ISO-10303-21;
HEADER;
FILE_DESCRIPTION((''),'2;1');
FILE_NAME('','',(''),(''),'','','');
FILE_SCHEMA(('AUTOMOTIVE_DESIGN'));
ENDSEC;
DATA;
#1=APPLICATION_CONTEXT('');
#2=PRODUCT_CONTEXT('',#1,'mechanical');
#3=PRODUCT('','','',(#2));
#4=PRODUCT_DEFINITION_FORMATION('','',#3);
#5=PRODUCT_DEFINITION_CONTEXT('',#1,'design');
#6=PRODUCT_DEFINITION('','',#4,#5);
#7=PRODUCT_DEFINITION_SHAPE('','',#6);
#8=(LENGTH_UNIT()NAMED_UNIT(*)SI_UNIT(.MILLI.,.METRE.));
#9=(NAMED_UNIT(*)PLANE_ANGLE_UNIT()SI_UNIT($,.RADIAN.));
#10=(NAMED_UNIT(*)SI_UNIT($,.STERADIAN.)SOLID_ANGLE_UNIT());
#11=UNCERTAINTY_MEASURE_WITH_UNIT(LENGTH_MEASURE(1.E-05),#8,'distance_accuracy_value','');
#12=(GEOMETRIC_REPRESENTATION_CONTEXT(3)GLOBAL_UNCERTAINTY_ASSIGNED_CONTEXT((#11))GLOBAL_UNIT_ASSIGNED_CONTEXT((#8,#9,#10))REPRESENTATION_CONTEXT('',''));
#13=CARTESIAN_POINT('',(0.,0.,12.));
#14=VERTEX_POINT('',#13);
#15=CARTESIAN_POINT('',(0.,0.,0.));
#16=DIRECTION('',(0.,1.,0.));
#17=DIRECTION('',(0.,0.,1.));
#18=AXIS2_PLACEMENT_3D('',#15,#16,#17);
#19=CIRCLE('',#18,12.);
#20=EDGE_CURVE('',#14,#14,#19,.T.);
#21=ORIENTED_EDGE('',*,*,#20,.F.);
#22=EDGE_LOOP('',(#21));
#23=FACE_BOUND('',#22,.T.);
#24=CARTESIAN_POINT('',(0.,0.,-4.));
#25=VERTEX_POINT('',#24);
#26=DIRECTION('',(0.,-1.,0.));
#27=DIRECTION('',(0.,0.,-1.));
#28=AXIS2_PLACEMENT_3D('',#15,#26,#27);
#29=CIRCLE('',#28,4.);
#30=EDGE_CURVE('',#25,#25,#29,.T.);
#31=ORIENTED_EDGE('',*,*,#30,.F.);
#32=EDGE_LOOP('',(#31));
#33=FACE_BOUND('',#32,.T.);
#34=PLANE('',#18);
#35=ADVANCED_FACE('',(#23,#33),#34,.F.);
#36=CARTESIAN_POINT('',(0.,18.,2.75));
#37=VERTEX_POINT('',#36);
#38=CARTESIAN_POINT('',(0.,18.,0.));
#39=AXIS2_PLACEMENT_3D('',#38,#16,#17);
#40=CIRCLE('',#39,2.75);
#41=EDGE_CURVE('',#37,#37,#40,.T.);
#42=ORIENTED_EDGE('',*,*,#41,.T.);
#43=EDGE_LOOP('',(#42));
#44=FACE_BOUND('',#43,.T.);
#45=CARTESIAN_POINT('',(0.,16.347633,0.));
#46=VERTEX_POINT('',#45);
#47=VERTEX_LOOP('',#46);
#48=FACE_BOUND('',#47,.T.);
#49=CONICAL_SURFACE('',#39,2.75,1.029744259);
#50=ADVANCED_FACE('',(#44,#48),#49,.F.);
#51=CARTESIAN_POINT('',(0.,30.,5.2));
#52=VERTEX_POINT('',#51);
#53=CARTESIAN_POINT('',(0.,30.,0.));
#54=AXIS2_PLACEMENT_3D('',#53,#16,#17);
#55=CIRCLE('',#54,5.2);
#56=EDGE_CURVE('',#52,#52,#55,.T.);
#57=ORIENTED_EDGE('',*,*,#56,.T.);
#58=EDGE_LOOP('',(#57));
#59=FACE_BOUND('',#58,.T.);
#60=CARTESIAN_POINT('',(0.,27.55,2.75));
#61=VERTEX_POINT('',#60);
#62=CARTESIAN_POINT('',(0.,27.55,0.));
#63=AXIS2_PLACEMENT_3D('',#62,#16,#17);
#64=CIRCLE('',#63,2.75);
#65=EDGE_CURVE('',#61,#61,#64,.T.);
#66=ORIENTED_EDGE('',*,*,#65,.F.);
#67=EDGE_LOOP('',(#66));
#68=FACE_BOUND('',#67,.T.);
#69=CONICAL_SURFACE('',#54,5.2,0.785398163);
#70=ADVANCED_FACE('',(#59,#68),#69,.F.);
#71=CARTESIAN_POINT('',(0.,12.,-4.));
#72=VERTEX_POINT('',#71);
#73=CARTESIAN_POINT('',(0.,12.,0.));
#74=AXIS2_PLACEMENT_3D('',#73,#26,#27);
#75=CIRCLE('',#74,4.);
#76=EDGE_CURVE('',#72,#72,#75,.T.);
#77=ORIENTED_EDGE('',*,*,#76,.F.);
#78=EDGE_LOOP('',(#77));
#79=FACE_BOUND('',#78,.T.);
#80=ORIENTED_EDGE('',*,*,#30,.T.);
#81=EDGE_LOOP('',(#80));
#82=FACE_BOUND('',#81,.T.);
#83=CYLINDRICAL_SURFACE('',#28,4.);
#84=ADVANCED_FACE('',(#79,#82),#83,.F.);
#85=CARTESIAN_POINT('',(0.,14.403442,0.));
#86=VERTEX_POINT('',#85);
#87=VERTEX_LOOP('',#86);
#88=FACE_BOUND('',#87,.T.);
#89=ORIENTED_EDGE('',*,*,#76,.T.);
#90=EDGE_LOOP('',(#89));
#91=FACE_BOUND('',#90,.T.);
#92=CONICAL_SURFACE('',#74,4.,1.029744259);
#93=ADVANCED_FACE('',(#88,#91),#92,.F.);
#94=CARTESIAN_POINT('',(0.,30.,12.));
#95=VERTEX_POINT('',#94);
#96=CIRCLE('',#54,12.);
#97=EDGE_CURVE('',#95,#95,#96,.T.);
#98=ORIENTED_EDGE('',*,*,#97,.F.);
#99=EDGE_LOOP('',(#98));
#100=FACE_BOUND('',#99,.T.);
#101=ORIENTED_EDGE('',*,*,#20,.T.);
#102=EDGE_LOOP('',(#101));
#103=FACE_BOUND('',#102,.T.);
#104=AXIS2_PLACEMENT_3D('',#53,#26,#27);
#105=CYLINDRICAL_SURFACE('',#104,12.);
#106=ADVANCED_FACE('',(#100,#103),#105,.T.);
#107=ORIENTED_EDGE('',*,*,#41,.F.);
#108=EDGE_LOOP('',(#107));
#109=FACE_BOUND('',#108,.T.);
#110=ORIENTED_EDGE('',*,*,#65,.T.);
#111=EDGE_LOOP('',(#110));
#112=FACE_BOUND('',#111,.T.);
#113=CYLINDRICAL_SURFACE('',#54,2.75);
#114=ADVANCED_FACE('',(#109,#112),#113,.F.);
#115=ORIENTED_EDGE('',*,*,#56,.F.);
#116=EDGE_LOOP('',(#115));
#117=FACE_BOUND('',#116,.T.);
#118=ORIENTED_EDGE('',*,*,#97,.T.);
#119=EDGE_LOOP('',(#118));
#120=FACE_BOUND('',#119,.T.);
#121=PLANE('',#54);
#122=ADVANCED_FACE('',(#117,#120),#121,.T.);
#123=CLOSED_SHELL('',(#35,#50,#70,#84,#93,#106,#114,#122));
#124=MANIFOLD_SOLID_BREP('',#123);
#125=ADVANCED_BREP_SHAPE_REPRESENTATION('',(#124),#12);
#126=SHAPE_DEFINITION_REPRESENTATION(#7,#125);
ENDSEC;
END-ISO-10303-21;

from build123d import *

# Parameters (mm, degrees)
SKETCH1_R                                           = 12
BOSS_EXTRUDE1_DEPTH                                 = 30
CSK_FOR_M5_COUNTERSUNK_FLAT_HEAD_SCREW1_D           = 5.5
CSK_FOR_M5_COUNTERSUNK_FLAT_HEAD_SCREW1_DEPTH       = 12
CSK_FOR_M5_COUNTERSUNK_FLAT_HEAD_SCREW1_CSINK_D     = 10.4
CSK_FOR_M5_COUNTERSUNK_FLAT_HEAD_SCREW1_CSINK_ANGLE = 90
CSK_FOR_M5_COUNTERSUNK_FLAT_HEAD_SCREW1_TIP         = 1.652366702
F_8_0MM_DOWEL_HOLE1_D                               = 8
F_8_0MM_DOWEL_HOLE1_DEPTH                           = 12
F_8_0MM_DOWEL_HOLE1_TIP                             = 2.403442476


with BuildPart() as part:
    # Sketch1 → Boss-Extrude1 (new body)
    with BuildSketch(Plane(origin=(0, 0, 0), x_dir=(1, 0, 0), z_dir=(0, 1, 0))):
        with Locations(Location((0, 0, 0), (0, 0, 270))):
            Circle(SKETCH1_R)
    extrude(amount=BOSS_EXTRUDE1_DEPTH)

    # CSK for M5 Countersunk Flat Head Screw1
    with Locations(Plane(origin=(0, 30, 0), x_dir=(1, 0, 0), z_dir=(0, 1, 0))):
        with Locations((0, 0)):
            CounterSinkHole(CSK_FOR_M5_COUNTERSUNK_FLAT_HEAD_SCREW1_D / 2, CSK_FOR_M5_COUNTERSUNK_FLAT_HEAD_SCREW1_CSINK_D / 2, depth=CSK_FOR_M5_COUNTERSUNK_FLAT_HEAD_SCREW1_DEPTH, counter_sink_angle=CSK_FOR_M5_COUNTERSUNK_FLAT_HEAD_SCREW1_CSINK_ANGLE)
            with Locations((0, 0, -(CSK_FOR_M5_COUNTERSUNK_FLAT_HEAD_SCREW1_DEPTH + CSK_FOR_M5_COUNTERSUNK_FLAT_HEAD_SCREW1_TIP / 2))):  # 118° drill point
                Cone(0, CSK_FOR_M5_COUNTERSUNK_FLAT_HEAD_SCREW1_D / 2, CSK_FOR_M5_COUNTERSUNK_FLAT_HEAD_SCREW1_TIP, mode=Mode.SUBTRACT)

    # Ø8.0mm Dowel Hole1
    with Locations(Plane(origin=(0, 0, 0), x_dir=(-1, 0, 0), z_dir=(0, -1, 0))):
        with Locations((0, 0)):
            Hole(F_8_0MM_DOWEL_HOLE1_D / 2, depth=F_8_0MM_DOWEL_HOLE1_DEPTH)
            with Locations((0, 0, -(F_8_0MM_DOWEL_HOLE1_DEPTH + F_8_0MM_DOWEL_HOLE1_TIP / 2))):  # 118° drill point
                Cone(0, F_8_0MM_DOWEL_HOLE1_D / 2, F_8_0MM_DOWEL_HOLE1_TIP, mode=Mode.SUBTRACT)


solid = part.part
